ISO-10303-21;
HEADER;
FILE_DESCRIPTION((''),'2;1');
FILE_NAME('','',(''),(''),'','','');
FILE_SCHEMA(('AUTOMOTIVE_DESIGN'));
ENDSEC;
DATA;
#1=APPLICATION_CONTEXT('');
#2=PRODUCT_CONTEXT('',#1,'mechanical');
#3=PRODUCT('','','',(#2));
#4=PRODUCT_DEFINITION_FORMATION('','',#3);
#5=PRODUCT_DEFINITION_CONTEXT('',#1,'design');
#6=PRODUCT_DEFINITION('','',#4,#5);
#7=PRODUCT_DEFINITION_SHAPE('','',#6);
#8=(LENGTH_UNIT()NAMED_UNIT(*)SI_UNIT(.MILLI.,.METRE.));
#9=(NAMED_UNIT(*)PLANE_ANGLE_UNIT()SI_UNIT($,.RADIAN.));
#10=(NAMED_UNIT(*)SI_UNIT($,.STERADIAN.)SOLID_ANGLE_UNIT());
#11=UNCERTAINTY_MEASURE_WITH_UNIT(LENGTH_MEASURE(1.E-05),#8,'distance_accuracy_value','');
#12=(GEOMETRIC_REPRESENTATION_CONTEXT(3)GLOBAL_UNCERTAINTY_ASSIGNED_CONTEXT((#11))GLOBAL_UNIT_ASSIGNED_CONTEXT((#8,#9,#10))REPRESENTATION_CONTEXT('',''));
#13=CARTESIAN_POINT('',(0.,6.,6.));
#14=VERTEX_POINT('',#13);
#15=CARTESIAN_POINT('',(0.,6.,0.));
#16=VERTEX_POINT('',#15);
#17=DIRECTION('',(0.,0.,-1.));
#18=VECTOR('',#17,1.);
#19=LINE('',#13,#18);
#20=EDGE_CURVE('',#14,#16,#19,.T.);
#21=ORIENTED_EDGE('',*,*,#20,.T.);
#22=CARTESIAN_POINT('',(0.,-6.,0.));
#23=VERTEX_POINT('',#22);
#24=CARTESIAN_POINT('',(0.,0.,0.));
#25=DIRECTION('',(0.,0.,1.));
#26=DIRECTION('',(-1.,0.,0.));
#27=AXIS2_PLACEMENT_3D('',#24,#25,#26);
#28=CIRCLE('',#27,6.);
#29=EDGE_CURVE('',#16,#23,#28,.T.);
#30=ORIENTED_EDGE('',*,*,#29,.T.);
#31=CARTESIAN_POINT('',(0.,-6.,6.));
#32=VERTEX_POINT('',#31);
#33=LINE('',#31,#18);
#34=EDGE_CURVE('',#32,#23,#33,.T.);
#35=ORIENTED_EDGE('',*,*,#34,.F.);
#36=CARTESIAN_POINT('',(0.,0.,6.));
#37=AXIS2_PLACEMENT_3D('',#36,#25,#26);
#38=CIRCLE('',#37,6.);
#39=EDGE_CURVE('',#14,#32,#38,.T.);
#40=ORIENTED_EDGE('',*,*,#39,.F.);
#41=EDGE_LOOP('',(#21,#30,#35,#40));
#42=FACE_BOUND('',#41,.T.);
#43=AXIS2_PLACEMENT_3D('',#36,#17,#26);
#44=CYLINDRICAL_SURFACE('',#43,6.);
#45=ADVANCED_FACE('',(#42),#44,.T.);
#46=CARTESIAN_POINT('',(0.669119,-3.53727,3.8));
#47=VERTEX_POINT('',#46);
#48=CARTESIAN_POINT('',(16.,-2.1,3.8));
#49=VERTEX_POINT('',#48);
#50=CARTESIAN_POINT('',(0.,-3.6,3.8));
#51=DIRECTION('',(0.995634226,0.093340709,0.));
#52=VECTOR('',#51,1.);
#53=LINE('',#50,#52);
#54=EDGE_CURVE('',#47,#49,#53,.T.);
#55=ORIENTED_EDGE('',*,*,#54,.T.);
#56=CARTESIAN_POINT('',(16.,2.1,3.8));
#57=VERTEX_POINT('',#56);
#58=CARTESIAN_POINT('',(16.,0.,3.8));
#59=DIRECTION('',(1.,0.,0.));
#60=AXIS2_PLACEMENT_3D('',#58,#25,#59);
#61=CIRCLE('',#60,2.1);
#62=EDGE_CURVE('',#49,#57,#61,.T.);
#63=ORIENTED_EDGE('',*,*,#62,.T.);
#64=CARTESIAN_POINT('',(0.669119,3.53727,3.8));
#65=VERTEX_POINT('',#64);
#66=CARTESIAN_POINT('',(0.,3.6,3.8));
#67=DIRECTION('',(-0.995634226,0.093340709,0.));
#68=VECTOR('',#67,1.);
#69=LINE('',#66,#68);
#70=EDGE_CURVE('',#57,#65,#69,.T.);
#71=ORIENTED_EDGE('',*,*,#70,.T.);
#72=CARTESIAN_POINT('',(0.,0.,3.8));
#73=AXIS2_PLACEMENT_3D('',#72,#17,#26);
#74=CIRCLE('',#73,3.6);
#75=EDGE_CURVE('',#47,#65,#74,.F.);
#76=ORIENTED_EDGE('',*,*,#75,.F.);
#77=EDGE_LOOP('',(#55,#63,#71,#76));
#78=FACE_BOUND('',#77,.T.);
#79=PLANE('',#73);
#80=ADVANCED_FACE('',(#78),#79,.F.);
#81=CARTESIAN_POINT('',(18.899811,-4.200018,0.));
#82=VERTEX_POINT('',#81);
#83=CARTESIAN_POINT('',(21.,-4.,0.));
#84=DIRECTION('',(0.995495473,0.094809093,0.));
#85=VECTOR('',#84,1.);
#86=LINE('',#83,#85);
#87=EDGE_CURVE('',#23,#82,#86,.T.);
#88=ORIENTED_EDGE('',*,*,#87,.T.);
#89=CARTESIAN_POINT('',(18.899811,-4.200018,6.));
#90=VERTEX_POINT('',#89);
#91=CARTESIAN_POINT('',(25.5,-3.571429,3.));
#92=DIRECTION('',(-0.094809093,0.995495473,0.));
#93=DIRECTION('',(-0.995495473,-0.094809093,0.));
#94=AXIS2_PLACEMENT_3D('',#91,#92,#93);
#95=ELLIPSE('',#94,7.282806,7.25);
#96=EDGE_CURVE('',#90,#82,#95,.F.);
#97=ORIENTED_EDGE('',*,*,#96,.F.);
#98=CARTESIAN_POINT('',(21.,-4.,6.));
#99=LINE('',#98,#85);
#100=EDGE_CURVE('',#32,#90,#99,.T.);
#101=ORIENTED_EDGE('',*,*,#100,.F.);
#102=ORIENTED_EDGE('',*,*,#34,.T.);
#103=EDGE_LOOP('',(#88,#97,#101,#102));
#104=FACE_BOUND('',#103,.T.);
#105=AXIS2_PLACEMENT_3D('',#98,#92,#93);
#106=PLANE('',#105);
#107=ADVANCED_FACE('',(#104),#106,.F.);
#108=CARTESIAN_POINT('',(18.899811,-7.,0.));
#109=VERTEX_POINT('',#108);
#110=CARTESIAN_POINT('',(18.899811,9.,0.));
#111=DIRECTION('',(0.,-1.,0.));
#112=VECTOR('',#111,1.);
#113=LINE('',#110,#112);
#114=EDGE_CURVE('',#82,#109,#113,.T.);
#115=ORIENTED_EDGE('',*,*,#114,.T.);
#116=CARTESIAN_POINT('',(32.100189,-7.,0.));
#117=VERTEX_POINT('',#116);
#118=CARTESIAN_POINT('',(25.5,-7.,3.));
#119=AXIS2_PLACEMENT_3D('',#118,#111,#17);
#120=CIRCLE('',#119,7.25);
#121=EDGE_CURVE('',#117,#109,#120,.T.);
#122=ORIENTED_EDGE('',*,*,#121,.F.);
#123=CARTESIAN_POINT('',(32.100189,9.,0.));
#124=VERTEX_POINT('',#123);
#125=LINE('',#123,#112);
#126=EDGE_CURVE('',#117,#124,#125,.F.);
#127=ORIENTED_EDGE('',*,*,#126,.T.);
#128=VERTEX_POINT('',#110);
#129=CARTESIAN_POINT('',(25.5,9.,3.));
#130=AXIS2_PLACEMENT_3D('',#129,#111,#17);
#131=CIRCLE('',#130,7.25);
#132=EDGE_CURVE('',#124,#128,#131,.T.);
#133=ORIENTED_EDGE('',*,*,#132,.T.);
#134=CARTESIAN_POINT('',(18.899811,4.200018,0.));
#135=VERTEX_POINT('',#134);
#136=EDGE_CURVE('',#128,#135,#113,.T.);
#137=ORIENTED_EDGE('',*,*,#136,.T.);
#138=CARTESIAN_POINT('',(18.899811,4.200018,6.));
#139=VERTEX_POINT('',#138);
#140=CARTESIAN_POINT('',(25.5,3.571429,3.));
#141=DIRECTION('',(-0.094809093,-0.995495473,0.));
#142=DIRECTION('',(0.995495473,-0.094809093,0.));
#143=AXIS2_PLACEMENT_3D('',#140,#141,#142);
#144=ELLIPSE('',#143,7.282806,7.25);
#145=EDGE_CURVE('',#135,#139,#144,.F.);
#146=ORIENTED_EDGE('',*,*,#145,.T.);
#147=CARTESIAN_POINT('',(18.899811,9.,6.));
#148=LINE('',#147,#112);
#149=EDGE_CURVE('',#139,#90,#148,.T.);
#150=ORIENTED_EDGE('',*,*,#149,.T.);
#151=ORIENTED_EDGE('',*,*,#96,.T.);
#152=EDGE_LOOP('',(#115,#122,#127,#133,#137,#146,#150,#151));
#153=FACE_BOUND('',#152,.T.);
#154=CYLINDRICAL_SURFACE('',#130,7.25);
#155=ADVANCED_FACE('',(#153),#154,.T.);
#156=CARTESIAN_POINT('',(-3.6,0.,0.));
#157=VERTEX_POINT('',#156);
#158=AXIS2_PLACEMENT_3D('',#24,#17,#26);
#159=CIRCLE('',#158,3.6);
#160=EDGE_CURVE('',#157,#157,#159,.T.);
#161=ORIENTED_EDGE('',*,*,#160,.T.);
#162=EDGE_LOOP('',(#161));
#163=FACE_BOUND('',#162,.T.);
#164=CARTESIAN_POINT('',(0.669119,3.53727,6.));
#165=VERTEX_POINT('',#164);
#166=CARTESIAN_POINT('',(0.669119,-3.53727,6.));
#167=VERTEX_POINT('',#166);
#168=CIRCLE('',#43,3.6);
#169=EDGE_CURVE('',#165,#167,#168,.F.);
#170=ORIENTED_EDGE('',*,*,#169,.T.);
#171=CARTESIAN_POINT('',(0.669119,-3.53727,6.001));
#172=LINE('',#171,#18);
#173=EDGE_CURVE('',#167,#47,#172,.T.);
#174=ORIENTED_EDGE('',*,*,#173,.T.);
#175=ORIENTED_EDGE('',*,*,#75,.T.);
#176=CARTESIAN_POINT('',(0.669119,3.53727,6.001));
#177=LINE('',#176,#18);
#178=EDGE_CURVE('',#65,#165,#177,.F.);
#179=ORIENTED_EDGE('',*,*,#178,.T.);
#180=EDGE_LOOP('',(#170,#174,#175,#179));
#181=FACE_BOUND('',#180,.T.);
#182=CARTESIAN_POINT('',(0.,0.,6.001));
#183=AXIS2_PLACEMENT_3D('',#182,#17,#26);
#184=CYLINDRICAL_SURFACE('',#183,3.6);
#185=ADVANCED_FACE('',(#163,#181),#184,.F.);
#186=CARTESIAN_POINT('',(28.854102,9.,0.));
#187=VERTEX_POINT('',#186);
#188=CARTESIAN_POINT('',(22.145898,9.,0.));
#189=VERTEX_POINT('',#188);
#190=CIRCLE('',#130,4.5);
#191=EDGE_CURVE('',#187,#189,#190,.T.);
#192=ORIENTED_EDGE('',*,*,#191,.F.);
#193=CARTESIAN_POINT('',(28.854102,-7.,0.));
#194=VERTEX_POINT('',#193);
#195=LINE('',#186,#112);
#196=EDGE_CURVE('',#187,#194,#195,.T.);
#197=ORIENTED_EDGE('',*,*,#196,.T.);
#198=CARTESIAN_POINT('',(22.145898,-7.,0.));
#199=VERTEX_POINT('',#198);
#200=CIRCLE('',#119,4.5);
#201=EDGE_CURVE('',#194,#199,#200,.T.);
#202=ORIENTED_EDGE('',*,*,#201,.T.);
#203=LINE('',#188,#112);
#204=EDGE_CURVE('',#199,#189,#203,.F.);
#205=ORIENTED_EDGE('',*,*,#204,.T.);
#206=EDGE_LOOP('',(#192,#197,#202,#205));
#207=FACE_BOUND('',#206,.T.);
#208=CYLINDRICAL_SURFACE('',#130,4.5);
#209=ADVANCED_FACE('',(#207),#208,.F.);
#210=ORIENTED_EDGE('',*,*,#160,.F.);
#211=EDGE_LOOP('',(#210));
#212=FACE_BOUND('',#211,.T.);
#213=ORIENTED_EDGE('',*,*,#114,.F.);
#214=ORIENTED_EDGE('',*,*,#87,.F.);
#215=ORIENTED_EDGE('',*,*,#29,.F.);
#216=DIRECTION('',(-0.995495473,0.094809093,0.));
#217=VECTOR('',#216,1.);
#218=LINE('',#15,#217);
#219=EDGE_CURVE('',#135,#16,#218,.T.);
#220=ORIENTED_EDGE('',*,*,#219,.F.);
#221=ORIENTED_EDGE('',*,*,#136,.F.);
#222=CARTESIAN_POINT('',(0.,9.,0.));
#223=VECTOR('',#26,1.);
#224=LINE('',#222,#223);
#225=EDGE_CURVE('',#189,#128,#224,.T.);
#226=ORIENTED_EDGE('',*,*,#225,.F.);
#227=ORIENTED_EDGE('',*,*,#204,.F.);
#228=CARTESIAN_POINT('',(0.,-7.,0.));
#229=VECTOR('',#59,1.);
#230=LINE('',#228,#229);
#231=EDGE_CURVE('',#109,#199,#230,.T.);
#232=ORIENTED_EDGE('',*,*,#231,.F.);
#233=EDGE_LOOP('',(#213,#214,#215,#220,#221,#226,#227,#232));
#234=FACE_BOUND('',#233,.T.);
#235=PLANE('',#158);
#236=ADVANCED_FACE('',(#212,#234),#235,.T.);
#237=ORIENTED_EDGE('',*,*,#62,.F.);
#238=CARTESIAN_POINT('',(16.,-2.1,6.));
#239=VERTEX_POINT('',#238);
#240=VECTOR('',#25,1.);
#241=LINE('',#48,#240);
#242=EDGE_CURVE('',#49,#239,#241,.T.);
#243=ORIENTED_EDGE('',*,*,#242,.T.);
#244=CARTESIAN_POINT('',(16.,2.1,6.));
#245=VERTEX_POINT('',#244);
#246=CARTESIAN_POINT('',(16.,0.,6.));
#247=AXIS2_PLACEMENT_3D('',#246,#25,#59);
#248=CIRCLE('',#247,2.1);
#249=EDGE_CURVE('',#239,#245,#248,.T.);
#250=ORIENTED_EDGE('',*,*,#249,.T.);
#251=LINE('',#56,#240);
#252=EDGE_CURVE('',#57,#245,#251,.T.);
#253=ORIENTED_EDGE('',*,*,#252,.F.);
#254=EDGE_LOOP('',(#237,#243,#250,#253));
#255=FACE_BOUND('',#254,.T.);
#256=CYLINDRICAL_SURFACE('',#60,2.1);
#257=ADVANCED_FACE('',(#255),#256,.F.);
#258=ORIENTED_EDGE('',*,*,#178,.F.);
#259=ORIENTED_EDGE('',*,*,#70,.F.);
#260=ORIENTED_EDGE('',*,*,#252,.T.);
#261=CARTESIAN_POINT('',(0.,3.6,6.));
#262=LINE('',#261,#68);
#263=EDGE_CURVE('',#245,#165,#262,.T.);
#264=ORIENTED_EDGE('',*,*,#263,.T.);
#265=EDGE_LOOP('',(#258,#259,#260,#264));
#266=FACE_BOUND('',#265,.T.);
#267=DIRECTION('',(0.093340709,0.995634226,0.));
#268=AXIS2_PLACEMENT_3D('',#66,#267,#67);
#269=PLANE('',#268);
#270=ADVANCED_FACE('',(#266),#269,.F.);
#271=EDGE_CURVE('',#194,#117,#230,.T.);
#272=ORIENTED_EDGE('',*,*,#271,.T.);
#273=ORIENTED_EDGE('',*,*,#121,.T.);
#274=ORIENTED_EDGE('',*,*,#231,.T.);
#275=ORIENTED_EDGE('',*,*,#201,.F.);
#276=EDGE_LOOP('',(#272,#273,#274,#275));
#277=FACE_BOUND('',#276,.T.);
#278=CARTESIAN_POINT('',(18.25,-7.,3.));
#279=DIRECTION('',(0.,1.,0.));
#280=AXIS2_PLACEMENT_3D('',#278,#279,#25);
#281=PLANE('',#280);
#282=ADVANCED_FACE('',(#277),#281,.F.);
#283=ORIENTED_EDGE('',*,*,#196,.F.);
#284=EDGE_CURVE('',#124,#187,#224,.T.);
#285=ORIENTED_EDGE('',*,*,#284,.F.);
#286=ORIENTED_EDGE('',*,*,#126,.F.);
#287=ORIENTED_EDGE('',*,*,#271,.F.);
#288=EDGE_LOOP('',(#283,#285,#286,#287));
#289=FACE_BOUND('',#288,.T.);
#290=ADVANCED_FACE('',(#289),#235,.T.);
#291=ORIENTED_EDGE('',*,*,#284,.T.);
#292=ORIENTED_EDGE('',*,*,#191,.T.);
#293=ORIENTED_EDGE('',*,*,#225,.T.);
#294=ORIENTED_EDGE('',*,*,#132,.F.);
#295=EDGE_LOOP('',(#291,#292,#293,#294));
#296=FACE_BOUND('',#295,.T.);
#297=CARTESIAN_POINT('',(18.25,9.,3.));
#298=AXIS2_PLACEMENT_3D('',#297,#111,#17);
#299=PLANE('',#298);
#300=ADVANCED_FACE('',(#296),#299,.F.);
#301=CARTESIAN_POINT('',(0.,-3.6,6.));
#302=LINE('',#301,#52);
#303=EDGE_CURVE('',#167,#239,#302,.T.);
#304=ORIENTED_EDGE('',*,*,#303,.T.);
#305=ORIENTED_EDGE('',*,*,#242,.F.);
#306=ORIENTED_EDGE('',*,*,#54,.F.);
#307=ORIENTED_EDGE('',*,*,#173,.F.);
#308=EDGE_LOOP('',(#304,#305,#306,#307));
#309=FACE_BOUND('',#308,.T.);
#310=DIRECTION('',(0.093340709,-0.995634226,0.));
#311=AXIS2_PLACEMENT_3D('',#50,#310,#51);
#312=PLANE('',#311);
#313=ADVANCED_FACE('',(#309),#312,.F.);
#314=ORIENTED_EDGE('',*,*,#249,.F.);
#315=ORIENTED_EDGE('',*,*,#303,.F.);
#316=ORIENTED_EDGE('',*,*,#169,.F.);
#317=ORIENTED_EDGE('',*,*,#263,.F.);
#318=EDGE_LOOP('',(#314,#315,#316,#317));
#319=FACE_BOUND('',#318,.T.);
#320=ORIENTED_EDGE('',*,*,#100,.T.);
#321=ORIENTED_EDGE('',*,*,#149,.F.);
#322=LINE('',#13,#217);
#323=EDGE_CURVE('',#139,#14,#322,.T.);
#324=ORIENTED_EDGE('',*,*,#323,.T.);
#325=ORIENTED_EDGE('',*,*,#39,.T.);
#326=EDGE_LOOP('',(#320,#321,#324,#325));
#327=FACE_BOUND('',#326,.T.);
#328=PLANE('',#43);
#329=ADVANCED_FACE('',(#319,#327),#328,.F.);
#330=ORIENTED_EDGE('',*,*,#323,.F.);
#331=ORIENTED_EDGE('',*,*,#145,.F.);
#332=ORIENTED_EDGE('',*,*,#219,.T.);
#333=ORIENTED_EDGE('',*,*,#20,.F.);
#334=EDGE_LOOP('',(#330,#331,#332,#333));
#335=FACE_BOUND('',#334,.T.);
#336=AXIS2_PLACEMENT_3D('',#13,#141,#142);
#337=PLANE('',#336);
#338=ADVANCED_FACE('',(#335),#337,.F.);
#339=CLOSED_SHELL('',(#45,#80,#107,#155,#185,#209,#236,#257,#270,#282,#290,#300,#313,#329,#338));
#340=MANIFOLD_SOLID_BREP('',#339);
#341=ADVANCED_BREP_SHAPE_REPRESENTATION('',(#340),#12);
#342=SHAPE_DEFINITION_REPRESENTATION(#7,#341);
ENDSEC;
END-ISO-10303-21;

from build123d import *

# Parameters (mm, degrees)
BOSS_EXTRU_1_DEPTH      = 6
ENL_V_MAT_EXTRU_1_REACH = 24.65
ESQUISSE2_R             = 3.6
ENL_V_START             = -2.2
ENL_V_MAT_EXTRU_2_DEPTH = 2.2
ESQUISSE6_W             = 2.75
ESQUISSE6_H             = 16
ENL_V_MAT_EXTRU_4_REACH = 37.477
ESQUISSE7_W             = 29.554917854
ESQUISSE7_H             = 36.646442603


with BuildPart() as part:
    # Esquisse1 → Boss.-Extru.1 (new body)
    with BuildSketch(Plane.XY):
        with BuildLine():
            Line((0, 6), (21, 4))
            Line((21, 4), (21, -4))
            Line((21, -4), (0, -6))
            ThreePointArc((0, -6), (-6, 0), (0, 6))
        make_face()
    extrude(amount=BOSS_EXTRU_1_DEPTH)

    # Esquisse2 → Enlèv. mat.-Extru.1 (cut, up to next)
    with BuildSketch(Plane(origin=(0, 0, 0), x_dir=(-1, 0, 0), z_dir=(0, 0, -1)), mode=Mode.PRIVATE) as enl_v_mat_extru_1_sk1:
        Circle(ESQUISSE2_R)
    enl_v_mat_extru_1_tool1 = extrude(enl_v_mat_extru_1_sk1.sketch, amount=-ENL_V_MAT_EXTRU_1_REACH, mode=Mode.PRIVATE) & part.part
    add(enl_v_mat_extru_1_tool1.solids().sort_by_distance((0, 0, 0))[0], mode=Mode.SUBTRACT)

    # Esquisse3 → Enlèv. mat.-Extru.2 (cut)
    with BuildSketch(Plane.XY.offset(6).offset(ENL_V_START)):
        with BuildLine():
            Line((0, 3.6), (16, 2.1))
            ThreePointArc((16, 2.1), (18.1, 0), (16, -2.1))
            Line((16, -2.1), (0, -3.6))
            ThreePointArc((0, -3.6), (-3.6, 0), (0, 3.6))
        make_face()
    extrude(amount=ENL_V_MAT_EXTRU_2_DEPTH, mode=Mode.SUBTRACT)

    # Esquisse6 → Révolution1 (revolve)
    with BuildSketch(Plane.XY.offset(3)):
        with Locations((19.625, 1)):
            Rectangle(ESQUISSE6_W, ESQUISSE6_H)
    revolve(axis=Axis((25.5, 9, 3), (0, -1, 0)))

    # Esquisse7 → Enlèv. mat.-Extru.4 (cut, up to next)
    with BuildSketch(Plane(origin=(0, 0, 0), x_dir=(-1, 0, 0), z_dir=(0, 0, -1)), mode=Mode.PRIVATE) as enl_v_mat_extru_4_sk1:
        with Locations((-30.387795564, 1.156001867)):
            Rectangle(ESQUISSE7_W, ESQUISSE7_H)
    enl_v_mat_extru_4_tool1 = extrude(enl_v_mat_extru_4_sk1.sketch, amount=ENL_V_MAT_EXTRU_4_REACH, mode=Mode.PRIVATE) & part.part
    add(enl_v_mat_extru_4_tool1.solids().sort_by_distance((30.387796, 1.156002, 0))[0], mode=Mode.SUBTRACT)


solid = part.part
